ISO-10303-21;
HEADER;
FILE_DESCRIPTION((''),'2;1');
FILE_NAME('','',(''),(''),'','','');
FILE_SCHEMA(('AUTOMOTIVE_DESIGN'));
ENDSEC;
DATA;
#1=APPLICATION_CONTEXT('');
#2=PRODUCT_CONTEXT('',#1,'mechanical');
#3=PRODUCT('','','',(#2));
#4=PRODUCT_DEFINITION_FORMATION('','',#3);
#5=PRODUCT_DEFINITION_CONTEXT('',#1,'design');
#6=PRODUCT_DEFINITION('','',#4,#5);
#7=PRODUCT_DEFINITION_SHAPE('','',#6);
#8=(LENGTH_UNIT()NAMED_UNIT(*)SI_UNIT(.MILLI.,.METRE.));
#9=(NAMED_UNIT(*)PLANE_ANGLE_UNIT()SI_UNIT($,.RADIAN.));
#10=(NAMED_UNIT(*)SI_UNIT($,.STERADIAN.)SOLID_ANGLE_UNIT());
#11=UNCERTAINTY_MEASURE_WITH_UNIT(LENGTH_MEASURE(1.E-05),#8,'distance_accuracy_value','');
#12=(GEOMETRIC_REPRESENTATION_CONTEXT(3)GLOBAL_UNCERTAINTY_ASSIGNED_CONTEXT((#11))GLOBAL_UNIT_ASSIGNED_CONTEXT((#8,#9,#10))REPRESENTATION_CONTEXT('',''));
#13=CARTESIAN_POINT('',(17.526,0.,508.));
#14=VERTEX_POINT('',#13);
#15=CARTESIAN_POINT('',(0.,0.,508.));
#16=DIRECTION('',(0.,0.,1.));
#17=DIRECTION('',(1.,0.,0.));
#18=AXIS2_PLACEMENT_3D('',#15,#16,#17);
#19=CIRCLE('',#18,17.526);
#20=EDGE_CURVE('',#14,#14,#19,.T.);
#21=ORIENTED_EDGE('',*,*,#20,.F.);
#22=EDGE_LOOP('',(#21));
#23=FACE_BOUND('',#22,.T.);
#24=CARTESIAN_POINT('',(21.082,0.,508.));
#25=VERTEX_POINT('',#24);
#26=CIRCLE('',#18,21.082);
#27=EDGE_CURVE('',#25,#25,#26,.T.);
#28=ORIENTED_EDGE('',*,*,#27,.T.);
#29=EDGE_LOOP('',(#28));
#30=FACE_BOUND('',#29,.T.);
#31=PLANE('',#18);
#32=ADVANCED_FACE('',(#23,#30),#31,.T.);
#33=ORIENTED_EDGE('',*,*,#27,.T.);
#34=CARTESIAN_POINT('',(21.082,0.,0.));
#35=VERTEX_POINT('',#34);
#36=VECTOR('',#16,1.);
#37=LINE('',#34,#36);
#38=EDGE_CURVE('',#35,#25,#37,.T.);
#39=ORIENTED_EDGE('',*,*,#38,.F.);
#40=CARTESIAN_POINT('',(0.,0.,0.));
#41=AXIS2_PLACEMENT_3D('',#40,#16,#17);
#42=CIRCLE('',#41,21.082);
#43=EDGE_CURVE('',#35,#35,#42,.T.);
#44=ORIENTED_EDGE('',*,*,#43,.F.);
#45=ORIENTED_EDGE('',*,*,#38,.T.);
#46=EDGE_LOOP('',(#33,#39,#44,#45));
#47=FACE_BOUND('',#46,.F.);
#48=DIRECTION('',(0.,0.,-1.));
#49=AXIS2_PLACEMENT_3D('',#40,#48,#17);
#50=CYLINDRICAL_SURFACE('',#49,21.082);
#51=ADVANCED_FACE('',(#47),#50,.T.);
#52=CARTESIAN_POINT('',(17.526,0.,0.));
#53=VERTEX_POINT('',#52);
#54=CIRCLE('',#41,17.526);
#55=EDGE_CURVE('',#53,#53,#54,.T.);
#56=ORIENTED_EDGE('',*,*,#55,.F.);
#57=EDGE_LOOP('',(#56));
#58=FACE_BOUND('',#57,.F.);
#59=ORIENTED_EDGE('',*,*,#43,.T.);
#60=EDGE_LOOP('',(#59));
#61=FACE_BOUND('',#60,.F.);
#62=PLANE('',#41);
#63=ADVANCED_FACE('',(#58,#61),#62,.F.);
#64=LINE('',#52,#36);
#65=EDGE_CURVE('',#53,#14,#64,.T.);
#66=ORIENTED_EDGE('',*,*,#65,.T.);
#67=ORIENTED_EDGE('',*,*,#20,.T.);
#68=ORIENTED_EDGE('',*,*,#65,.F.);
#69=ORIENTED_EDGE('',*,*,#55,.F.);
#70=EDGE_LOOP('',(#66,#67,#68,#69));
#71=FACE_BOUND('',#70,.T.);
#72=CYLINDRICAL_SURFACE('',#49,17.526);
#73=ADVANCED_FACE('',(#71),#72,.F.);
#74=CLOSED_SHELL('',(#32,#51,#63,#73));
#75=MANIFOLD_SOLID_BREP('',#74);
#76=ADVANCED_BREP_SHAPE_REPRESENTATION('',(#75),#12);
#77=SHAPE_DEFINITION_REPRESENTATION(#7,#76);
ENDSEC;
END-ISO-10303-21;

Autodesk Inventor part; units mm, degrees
ref_plane "YZ Plane" through (0, 0, 0) normal (1, 0, 0) x (0, 1, 0)
ref_plane "Start plane" through (0, 0, 0) normal (0, 0, 1) x (1, 0, 0)
ref_plane "End plane" through (0, 0, 508) normal (0, 0, 1) x (1, 0, 0)
sketch "Sketch" plane through (0, 0, 0) normal (0, 0, 1) x (1, 0, 0)
  circle A0 centre (0, 0) radius 17.526
  circle A1 centre (0, 0) radius 21.082
  dimension "d0" = 42.164
  dimension "d1" = 3.556
extrude "Body" add sketch "Sketch" along normal up to surface (508 mm away) from surface at 0
sketch "Sketch3" plane through (0, 0, 0) normal (0, 0, 1) x (1, 0, 0)
  line L0 (0, 0) -> (10, 0)
ref_plane "Work Plane3" through (0, 0, 0) normal (0, -1, 0) x (1, 0, 0)
sketch "Sketch4" plane through (0, 0, 0) normal (0, -1, 0) x (1, 0, 0)
  line L0 (-2, 0) -> (12, 0)
  line L1 (-2, 508) -> (12, 508)
  dimension "d7" = 508
equation "\"d0\" = G_H"
equation "\"d1\" = G_T"
equation "\"d2\" = G_L"
equation "\"G_H\" = 42.164"
equation "\"G_T\" = 3.556"
equation "\"G_L\" = d7"
equation "\"G_OFFSET_START\" = 0"
equation "\"G_OFFSET_END\" = 0"
equation "\"d5\" = G_OFFSET_END + B_L"
equation "\"B_L\" = 508"
properties part number "ANSI - 1 1/4 x 0.140 - 20" material "Aluminum 6061"
